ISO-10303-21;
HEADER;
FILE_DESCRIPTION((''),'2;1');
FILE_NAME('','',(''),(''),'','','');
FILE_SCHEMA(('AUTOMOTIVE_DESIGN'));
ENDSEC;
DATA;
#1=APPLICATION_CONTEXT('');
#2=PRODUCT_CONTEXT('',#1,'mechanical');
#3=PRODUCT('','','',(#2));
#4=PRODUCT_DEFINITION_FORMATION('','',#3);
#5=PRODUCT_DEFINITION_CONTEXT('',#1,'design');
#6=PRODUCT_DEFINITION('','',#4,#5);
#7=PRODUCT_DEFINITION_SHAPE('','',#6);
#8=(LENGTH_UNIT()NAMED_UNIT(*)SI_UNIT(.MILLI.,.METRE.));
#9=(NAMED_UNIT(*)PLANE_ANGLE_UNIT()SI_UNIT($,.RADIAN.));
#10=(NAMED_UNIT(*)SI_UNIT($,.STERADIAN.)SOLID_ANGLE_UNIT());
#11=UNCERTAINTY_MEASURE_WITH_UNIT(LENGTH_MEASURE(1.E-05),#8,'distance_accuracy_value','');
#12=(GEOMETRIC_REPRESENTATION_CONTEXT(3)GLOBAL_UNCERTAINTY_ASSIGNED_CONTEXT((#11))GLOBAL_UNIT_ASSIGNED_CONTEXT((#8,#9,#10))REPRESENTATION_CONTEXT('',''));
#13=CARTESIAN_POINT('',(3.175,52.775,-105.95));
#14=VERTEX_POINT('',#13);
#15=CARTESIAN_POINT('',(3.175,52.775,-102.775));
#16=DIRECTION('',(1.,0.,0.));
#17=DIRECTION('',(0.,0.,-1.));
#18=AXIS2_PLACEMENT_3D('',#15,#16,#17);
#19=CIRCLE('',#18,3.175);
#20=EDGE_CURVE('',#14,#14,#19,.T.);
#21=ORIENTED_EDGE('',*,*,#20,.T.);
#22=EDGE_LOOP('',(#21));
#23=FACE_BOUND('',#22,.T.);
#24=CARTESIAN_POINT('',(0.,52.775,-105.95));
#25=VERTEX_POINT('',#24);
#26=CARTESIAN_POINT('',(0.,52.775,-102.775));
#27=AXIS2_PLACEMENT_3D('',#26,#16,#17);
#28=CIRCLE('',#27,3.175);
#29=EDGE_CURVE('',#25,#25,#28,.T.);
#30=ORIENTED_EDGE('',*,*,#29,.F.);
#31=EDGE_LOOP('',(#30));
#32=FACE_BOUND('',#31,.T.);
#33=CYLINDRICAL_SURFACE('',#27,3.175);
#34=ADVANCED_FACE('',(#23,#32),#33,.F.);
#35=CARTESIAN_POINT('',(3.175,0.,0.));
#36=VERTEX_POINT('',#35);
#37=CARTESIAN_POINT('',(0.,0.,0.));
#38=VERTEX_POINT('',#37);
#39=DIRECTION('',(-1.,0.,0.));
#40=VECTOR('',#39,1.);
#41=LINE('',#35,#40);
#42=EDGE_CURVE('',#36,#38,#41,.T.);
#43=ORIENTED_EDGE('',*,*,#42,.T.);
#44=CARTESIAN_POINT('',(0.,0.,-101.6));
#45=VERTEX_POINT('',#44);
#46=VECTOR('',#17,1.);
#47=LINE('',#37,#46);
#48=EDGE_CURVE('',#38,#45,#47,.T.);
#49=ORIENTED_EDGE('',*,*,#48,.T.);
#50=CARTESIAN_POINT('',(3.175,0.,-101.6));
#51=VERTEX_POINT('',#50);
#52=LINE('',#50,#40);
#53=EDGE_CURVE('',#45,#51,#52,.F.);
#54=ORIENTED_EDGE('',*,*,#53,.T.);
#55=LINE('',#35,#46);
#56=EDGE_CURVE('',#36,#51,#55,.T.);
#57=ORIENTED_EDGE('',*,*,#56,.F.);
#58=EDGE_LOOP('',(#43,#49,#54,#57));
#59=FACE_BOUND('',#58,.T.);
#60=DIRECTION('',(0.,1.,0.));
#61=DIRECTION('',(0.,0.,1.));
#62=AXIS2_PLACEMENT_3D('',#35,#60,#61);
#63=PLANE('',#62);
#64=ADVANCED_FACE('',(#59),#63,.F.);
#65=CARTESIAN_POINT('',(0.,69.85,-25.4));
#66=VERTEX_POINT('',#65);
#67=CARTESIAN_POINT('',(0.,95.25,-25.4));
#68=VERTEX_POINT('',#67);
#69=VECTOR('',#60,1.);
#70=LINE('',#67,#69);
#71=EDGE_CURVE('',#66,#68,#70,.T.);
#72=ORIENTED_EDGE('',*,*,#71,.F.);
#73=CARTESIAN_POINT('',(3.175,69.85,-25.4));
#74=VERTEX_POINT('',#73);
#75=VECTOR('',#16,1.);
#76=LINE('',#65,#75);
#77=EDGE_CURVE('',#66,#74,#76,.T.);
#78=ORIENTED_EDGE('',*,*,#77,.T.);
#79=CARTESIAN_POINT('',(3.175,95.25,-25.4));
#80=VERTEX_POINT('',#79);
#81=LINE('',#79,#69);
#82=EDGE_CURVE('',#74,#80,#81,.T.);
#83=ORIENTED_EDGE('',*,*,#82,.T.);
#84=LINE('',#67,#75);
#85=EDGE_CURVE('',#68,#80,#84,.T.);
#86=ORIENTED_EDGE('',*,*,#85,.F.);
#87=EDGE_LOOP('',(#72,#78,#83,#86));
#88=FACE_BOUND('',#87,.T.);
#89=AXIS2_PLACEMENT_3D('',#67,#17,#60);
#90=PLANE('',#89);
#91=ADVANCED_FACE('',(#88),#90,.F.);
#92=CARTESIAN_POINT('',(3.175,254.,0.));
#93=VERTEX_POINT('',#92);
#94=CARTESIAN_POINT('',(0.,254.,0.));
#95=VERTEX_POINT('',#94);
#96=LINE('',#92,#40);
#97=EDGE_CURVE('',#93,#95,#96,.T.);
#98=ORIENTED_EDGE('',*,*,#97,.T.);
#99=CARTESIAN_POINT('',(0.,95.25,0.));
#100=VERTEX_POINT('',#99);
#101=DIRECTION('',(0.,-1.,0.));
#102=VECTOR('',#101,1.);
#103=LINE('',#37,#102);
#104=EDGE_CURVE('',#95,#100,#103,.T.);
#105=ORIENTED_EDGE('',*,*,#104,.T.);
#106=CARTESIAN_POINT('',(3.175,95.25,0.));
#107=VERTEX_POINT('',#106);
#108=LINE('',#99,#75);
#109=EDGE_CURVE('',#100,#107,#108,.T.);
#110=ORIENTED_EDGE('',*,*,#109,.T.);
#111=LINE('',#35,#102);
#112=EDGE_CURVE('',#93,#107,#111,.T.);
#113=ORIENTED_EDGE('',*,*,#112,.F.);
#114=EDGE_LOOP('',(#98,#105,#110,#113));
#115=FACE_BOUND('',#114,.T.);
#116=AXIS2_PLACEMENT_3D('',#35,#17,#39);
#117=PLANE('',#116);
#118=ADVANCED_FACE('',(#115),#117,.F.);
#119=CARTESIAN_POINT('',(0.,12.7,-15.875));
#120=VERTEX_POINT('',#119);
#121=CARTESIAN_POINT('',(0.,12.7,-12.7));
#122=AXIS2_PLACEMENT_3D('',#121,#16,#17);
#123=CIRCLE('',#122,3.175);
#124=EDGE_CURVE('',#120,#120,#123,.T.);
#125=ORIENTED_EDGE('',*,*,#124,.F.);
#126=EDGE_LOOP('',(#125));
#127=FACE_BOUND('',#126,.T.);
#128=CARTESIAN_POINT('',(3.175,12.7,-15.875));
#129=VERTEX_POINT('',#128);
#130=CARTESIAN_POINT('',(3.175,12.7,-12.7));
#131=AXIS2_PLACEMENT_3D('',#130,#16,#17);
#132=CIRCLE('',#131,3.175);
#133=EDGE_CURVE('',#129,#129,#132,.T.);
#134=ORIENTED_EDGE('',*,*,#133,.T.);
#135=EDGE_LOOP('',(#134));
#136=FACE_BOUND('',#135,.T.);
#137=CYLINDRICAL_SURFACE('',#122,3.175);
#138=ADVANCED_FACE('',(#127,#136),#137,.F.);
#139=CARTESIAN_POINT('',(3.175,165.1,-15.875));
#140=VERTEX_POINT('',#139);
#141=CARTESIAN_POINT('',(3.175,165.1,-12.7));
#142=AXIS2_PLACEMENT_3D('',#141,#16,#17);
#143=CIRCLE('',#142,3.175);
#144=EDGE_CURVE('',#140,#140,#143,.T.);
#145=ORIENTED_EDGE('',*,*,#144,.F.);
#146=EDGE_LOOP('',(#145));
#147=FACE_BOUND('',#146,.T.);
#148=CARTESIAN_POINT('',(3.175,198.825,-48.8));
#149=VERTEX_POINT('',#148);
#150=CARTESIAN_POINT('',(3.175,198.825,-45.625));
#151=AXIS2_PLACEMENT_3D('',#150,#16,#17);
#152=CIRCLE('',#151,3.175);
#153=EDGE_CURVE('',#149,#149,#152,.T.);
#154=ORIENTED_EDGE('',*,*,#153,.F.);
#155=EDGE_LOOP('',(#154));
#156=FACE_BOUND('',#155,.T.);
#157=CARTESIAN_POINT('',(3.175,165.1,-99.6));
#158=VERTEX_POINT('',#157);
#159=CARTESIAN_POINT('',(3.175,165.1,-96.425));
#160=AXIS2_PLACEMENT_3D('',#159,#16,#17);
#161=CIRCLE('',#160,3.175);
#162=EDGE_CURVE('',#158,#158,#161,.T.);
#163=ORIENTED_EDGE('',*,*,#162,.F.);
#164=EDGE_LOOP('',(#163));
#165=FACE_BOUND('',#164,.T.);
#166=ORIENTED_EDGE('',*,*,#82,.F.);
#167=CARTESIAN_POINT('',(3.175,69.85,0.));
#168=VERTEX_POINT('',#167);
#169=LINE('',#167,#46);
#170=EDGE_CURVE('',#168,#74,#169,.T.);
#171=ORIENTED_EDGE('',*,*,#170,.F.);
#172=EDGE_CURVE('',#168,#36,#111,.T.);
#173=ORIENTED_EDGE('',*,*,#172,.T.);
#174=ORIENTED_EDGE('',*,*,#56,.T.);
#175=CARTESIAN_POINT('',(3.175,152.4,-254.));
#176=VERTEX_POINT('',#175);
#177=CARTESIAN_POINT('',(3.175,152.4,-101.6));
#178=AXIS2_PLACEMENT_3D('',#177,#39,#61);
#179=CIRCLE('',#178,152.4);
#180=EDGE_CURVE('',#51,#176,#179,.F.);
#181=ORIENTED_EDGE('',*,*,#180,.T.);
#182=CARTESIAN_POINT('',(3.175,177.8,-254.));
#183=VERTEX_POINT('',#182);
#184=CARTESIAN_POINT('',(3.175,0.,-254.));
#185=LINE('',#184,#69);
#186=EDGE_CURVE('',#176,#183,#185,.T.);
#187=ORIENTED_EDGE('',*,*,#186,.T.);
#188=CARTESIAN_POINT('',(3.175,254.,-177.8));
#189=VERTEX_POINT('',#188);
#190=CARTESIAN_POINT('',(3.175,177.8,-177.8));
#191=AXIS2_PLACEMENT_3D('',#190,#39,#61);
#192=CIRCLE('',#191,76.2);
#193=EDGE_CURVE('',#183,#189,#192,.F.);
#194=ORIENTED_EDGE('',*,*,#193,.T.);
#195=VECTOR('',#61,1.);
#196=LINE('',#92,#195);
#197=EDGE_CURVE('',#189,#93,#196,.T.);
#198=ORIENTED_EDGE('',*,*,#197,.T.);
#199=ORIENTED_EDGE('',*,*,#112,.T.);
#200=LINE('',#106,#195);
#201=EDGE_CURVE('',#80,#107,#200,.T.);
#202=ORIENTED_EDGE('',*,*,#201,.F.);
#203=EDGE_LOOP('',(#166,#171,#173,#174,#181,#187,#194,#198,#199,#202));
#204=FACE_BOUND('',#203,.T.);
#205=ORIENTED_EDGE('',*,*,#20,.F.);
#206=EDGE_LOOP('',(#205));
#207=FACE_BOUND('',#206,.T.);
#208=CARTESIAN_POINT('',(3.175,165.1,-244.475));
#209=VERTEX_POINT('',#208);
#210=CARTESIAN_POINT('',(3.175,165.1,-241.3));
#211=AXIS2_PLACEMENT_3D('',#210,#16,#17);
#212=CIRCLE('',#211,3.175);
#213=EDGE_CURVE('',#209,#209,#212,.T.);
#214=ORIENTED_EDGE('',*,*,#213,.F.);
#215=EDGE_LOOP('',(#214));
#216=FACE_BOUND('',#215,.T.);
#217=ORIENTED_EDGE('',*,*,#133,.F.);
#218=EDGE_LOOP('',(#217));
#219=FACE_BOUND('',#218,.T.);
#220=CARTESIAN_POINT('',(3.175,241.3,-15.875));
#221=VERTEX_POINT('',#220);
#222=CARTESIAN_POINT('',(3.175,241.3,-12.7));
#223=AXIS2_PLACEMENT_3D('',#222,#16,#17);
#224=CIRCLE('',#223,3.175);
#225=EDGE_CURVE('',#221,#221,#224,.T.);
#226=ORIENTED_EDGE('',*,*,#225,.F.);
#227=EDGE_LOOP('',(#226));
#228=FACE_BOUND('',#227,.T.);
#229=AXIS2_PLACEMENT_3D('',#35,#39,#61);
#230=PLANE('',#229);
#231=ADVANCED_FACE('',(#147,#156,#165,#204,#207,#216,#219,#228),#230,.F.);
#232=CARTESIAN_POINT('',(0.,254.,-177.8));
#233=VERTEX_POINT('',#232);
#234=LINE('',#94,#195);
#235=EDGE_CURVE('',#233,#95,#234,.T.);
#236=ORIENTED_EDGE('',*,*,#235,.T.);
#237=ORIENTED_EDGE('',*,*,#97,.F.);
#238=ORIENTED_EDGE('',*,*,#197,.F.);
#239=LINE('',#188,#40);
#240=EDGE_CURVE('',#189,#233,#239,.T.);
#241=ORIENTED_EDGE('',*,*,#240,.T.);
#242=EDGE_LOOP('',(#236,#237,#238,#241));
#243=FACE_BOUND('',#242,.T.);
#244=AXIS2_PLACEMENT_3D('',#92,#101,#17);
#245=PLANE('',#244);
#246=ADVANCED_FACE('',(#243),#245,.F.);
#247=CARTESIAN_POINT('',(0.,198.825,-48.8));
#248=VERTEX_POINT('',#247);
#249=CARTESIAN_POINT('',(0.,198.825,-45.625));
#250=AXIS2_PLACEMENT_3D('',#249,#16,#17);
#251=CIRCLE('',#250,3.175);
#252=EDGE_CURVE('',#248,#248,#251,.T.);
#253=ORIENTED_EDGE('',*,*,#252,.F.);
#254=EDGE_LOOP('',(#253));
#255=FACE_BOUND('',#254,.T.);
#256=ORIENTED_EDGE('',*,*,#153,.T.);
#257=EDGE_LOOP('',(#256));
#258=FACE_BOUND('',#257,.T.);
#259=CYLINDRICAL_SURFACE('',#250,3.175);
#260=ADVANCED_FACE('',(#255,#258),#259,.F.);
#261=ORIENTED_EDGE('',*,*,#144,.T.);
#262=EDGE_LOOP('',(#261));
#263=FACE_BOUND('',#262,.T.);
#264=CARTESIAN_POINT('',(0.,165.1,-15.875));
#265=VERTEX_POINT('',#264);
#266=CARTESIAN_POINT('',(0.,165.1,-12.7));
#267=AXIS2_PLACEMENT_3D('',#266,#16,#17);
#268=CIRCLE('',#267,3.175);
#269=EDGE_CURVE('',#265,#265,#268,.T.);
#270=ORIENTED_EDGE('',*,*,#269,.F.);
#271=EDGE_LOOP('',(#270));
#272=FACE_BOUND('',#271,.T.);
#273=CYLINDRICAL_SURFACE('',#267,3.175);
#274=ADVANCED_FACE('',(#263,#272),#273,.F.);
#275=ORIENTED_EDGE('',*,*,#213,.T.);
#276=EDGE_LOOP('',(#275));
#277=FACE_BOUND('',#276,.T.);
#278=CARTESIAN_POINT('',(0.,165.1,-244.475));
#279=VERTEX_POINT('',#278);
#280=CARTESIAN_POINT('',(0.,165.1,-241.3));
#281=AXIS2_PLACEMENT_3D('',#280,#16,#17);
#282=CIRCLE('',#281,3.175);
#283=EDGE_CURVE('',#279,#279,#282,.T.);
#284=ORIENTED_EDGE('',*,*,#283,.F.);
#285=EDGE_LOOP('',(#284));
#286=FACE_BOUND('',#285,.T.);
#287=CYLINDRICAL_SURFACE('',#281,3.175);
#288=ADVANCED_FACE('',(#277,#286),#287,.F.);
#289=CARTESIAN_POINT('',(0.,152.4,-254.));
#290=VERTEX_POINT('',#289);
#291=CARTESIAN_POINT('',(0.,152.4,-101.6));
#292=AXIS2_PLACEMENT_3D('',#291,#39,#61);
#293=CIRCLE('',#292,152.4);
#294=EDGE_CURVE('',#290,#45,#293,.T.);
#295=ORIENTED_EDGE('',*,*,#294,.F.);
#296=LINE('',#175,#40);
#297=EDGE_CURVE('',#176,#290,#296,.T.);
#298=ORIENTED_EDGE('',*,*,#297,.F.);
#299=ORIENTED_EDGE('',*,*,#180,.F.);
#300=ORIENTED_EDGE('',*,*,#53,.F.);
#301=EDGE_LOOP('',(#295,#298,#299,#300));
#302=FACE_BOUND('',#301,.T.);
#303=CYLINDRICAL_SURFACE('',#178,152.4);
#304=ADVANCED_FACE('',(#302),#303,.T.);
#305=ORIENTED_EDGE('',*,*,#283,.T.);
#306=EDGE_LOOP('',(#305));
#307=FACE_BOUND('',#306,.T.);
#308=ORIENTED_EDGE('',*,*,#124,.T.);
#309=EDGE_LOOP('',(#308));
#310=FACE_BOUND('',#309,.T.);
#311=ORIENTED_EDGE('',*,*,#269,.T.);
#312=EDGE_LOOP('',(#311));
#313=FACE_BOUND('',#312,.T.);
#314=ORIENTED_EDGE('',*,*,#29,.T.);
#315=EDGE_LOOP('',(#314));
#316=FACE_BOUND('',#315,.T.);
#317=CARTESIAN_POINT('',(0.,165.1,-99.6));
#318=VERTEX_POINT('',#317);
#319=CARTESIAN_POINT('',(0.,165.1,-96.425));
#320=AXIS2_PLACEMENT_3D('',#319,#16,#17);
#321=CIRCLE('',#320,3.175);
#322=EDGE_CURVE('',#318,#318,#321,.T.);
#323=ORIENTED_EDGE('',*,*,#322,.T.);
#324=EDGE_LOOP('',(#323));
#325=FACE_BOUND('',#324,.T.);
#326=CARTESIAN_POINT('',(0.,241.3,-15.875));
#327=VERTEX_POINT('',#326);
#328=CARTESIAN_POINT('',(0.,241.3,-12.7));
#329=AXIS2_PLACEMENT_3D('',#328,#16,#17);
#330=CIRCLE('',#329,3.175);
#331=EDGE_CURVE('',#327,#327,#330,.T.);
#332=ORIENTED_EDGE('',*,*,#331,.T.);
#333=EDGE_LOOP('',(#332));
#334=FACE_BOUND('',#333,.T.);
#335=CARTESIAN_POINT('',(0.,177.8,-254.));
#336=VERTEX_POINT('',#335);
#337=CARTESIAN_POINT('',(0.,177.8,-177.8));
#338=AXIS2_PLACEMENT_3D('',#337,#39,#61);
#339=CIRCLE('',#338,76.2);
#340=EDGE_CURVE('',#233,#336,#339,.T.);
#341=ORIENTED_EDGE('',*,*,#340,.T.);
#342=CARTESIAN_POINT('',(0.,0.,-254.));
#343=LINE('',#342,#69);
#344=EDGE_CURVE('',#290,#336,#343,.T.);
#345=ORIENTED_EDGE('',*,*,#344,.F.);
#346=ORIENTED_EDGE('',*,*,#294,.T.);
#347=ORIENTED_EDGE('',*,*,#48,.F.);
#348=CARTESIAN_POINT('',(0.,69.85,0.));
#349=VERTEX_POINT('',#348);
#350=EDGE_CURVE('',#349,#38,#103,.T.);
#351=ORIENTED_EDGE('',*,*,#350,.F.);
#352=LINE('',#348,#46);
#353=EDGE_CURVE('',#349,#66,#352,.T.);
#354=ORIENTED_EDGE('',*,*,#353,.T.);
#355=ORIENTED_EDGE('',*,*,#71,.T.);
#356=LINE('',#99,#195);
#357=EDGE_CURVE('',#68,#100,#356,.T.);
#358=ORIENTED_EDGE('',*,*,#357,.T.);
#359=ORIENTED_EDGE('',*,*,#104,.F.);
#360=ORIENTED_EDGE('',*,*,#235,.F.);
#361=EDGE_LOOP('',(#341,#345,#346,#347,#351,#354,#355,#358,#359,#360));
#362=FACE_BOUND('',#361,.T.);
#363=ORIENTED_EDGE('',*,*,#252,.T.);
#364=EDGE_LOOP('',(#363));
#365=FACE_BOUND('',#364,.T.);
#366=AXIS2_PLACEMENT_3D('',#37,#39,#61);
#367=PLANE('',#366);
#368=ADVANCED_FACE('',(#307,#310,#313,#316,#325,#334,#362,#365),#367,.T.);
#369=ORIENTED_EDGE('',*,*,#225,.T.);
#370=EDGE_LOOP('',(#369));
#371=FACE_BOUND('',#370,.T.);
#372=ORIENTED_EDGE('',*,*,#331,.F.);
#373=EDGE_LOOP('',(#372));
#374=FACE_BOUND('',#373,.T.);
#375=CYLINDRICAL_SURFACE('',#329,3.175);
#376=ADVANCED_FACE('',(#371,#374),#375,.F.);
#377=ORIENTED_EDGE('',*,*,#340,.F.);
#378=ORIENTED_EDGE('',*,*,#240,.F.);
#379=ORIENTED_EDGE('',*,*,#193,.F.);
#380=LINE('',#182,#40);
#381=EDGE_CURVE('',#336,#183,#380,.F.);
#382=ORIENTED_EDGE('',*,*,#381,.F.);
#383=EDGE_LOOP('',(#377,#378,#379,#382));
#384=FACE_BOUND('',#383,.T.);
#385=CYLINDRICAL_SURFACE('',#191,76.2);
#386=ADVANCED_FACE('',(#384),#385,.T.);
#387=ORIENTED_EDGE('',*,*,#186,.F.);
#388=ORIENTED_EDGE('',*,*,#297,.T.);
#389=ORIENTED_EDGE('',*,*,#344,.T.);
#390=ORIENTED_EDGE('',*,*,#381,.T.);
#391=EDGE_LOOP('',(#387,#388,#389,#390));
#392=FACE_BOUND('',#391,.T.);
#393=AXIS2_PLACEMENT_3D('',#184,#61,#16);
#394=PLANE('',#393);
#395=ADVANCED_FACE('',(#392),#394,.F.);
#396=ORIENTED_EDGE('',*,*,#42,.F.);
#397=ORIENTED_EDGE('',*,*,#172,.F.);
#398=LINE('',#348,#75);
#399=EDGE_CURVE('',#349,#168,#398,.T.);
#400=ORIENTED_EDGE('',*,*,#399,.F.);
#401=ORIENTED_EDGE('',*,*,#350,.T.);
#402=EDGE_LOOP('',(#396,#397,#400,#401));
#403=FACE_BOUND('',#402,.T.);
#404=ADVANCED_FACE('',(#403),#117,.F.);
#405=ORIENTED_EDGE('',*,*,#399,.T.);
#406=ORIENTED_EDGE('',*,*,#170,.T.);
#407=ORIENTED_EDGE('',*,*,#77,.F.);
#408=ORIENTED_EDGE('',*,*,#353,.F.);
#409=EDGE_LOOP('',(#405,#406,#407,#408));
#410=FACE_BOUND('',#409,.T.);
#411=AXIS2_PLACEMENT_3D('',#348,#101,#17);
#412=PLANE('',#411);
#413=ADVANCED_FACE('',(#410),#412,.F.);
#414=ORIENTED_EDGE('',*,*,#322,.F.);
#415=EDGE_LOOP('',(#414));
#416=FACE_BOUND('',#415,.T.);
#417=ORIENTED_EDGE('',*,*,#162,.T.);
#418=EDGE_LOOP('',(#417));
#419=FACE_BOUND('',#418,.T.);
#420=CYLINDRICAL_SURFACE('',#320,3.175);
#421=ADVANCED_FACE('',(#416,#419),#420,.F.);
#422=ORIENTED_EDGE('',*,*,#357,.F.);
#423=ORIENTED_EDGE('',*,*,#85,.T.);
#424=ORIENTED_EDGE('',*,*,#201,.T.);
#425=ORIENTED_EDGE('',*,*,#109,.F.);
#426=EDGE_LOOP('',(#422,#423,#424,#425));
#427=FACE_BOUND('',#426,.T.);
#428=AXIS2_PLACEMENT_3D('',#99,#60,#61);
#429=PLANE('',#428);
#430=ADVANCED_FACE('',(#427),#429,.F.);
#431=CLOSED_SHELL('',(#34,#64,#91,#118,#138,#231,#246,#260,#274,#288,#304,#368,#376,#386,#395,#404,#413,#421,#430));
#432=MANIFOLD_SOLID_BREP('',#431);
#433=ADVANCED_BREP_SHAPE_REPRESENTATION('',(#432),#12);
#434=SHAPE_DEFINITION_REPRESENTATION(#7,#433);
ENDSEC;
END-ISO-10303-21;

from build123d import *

# Parameters (mm, degrees)
SKETCH1_W           = 254
SKETCH1_H           = 254
BOSS_EXTRUDE1_DEPTH = 3.175
SKETCH2_R           = 3.175
SKETCH2_W           = 25.4
SKETCH2_H           = 25.4
CUT_EXTRUDE1_DEPTH  = 4.175
FILLET1_R           = 152.4
FILLET2_R           = 76.2


with BuildPart() as part:
    # Sketch1 → Boss-Extrude1 (new body)
    with BuildSketch(Plane(origin=(0, 0, 0), x_dir=(0, 0, -1), z_dir=(1, 0, 0))):
        with Locations((127, 127)):
            Rectangle(SKETCH1_W, SKETCH1_H)
    extrude(amount=BOSS_EXTRUDE1_DEPTH)

    # Sketch2 → Cut-Extrude1 (cut, through all)
    with BuildSketch(Plane(origin=(3.175, 0, 0), x_dir=(0, 0, -1), z_dir=(1, 0, 0))):
        with Locations((102.775, 52.775)):
            Circle(SKETCH2_R)
        with Locations((96.425, 165.10000014)):
            Circle(SKETCH2_R)
        with Locations((45.625, 198.825)):
            Circle(SKETCH2_R)
        with Locations((12.7, 165.1)):
            Circle(SKETCH2_R)
        with Locations((12.7, 241.3)):
            Circle(SKETCH2_R)
        with Locations((12.7, 12.7)):
            Circle(SKETCH2_R)
        with Locations((241.3, 165.1)):
            Circle(SKETCH2_R)
        with Locations((12.7, 82.55)):
            Rectangle(SKETCH2_W, SKETCH2_H)
    extrude(amount=-CUT_EXTRUDE1_DEPTH, mode=Mode.SUBTRACT)

    # Fillet1
    fillet1_edges = [part.edges().sort_by_distance(p)[0] for p in [
        (1.5875, 0, -254),
    ]]
    fillet(fillet1_edges, radius=FILLET1_R)

    # Fillet2
    fillet2_edges = [part.edges().sort_by_distance(p)[0] for p in [
        (1.5875, 254, -254),
    ]]
    fillet(fillet2_edges, radius=FILLET2_R)


solid = part.part
